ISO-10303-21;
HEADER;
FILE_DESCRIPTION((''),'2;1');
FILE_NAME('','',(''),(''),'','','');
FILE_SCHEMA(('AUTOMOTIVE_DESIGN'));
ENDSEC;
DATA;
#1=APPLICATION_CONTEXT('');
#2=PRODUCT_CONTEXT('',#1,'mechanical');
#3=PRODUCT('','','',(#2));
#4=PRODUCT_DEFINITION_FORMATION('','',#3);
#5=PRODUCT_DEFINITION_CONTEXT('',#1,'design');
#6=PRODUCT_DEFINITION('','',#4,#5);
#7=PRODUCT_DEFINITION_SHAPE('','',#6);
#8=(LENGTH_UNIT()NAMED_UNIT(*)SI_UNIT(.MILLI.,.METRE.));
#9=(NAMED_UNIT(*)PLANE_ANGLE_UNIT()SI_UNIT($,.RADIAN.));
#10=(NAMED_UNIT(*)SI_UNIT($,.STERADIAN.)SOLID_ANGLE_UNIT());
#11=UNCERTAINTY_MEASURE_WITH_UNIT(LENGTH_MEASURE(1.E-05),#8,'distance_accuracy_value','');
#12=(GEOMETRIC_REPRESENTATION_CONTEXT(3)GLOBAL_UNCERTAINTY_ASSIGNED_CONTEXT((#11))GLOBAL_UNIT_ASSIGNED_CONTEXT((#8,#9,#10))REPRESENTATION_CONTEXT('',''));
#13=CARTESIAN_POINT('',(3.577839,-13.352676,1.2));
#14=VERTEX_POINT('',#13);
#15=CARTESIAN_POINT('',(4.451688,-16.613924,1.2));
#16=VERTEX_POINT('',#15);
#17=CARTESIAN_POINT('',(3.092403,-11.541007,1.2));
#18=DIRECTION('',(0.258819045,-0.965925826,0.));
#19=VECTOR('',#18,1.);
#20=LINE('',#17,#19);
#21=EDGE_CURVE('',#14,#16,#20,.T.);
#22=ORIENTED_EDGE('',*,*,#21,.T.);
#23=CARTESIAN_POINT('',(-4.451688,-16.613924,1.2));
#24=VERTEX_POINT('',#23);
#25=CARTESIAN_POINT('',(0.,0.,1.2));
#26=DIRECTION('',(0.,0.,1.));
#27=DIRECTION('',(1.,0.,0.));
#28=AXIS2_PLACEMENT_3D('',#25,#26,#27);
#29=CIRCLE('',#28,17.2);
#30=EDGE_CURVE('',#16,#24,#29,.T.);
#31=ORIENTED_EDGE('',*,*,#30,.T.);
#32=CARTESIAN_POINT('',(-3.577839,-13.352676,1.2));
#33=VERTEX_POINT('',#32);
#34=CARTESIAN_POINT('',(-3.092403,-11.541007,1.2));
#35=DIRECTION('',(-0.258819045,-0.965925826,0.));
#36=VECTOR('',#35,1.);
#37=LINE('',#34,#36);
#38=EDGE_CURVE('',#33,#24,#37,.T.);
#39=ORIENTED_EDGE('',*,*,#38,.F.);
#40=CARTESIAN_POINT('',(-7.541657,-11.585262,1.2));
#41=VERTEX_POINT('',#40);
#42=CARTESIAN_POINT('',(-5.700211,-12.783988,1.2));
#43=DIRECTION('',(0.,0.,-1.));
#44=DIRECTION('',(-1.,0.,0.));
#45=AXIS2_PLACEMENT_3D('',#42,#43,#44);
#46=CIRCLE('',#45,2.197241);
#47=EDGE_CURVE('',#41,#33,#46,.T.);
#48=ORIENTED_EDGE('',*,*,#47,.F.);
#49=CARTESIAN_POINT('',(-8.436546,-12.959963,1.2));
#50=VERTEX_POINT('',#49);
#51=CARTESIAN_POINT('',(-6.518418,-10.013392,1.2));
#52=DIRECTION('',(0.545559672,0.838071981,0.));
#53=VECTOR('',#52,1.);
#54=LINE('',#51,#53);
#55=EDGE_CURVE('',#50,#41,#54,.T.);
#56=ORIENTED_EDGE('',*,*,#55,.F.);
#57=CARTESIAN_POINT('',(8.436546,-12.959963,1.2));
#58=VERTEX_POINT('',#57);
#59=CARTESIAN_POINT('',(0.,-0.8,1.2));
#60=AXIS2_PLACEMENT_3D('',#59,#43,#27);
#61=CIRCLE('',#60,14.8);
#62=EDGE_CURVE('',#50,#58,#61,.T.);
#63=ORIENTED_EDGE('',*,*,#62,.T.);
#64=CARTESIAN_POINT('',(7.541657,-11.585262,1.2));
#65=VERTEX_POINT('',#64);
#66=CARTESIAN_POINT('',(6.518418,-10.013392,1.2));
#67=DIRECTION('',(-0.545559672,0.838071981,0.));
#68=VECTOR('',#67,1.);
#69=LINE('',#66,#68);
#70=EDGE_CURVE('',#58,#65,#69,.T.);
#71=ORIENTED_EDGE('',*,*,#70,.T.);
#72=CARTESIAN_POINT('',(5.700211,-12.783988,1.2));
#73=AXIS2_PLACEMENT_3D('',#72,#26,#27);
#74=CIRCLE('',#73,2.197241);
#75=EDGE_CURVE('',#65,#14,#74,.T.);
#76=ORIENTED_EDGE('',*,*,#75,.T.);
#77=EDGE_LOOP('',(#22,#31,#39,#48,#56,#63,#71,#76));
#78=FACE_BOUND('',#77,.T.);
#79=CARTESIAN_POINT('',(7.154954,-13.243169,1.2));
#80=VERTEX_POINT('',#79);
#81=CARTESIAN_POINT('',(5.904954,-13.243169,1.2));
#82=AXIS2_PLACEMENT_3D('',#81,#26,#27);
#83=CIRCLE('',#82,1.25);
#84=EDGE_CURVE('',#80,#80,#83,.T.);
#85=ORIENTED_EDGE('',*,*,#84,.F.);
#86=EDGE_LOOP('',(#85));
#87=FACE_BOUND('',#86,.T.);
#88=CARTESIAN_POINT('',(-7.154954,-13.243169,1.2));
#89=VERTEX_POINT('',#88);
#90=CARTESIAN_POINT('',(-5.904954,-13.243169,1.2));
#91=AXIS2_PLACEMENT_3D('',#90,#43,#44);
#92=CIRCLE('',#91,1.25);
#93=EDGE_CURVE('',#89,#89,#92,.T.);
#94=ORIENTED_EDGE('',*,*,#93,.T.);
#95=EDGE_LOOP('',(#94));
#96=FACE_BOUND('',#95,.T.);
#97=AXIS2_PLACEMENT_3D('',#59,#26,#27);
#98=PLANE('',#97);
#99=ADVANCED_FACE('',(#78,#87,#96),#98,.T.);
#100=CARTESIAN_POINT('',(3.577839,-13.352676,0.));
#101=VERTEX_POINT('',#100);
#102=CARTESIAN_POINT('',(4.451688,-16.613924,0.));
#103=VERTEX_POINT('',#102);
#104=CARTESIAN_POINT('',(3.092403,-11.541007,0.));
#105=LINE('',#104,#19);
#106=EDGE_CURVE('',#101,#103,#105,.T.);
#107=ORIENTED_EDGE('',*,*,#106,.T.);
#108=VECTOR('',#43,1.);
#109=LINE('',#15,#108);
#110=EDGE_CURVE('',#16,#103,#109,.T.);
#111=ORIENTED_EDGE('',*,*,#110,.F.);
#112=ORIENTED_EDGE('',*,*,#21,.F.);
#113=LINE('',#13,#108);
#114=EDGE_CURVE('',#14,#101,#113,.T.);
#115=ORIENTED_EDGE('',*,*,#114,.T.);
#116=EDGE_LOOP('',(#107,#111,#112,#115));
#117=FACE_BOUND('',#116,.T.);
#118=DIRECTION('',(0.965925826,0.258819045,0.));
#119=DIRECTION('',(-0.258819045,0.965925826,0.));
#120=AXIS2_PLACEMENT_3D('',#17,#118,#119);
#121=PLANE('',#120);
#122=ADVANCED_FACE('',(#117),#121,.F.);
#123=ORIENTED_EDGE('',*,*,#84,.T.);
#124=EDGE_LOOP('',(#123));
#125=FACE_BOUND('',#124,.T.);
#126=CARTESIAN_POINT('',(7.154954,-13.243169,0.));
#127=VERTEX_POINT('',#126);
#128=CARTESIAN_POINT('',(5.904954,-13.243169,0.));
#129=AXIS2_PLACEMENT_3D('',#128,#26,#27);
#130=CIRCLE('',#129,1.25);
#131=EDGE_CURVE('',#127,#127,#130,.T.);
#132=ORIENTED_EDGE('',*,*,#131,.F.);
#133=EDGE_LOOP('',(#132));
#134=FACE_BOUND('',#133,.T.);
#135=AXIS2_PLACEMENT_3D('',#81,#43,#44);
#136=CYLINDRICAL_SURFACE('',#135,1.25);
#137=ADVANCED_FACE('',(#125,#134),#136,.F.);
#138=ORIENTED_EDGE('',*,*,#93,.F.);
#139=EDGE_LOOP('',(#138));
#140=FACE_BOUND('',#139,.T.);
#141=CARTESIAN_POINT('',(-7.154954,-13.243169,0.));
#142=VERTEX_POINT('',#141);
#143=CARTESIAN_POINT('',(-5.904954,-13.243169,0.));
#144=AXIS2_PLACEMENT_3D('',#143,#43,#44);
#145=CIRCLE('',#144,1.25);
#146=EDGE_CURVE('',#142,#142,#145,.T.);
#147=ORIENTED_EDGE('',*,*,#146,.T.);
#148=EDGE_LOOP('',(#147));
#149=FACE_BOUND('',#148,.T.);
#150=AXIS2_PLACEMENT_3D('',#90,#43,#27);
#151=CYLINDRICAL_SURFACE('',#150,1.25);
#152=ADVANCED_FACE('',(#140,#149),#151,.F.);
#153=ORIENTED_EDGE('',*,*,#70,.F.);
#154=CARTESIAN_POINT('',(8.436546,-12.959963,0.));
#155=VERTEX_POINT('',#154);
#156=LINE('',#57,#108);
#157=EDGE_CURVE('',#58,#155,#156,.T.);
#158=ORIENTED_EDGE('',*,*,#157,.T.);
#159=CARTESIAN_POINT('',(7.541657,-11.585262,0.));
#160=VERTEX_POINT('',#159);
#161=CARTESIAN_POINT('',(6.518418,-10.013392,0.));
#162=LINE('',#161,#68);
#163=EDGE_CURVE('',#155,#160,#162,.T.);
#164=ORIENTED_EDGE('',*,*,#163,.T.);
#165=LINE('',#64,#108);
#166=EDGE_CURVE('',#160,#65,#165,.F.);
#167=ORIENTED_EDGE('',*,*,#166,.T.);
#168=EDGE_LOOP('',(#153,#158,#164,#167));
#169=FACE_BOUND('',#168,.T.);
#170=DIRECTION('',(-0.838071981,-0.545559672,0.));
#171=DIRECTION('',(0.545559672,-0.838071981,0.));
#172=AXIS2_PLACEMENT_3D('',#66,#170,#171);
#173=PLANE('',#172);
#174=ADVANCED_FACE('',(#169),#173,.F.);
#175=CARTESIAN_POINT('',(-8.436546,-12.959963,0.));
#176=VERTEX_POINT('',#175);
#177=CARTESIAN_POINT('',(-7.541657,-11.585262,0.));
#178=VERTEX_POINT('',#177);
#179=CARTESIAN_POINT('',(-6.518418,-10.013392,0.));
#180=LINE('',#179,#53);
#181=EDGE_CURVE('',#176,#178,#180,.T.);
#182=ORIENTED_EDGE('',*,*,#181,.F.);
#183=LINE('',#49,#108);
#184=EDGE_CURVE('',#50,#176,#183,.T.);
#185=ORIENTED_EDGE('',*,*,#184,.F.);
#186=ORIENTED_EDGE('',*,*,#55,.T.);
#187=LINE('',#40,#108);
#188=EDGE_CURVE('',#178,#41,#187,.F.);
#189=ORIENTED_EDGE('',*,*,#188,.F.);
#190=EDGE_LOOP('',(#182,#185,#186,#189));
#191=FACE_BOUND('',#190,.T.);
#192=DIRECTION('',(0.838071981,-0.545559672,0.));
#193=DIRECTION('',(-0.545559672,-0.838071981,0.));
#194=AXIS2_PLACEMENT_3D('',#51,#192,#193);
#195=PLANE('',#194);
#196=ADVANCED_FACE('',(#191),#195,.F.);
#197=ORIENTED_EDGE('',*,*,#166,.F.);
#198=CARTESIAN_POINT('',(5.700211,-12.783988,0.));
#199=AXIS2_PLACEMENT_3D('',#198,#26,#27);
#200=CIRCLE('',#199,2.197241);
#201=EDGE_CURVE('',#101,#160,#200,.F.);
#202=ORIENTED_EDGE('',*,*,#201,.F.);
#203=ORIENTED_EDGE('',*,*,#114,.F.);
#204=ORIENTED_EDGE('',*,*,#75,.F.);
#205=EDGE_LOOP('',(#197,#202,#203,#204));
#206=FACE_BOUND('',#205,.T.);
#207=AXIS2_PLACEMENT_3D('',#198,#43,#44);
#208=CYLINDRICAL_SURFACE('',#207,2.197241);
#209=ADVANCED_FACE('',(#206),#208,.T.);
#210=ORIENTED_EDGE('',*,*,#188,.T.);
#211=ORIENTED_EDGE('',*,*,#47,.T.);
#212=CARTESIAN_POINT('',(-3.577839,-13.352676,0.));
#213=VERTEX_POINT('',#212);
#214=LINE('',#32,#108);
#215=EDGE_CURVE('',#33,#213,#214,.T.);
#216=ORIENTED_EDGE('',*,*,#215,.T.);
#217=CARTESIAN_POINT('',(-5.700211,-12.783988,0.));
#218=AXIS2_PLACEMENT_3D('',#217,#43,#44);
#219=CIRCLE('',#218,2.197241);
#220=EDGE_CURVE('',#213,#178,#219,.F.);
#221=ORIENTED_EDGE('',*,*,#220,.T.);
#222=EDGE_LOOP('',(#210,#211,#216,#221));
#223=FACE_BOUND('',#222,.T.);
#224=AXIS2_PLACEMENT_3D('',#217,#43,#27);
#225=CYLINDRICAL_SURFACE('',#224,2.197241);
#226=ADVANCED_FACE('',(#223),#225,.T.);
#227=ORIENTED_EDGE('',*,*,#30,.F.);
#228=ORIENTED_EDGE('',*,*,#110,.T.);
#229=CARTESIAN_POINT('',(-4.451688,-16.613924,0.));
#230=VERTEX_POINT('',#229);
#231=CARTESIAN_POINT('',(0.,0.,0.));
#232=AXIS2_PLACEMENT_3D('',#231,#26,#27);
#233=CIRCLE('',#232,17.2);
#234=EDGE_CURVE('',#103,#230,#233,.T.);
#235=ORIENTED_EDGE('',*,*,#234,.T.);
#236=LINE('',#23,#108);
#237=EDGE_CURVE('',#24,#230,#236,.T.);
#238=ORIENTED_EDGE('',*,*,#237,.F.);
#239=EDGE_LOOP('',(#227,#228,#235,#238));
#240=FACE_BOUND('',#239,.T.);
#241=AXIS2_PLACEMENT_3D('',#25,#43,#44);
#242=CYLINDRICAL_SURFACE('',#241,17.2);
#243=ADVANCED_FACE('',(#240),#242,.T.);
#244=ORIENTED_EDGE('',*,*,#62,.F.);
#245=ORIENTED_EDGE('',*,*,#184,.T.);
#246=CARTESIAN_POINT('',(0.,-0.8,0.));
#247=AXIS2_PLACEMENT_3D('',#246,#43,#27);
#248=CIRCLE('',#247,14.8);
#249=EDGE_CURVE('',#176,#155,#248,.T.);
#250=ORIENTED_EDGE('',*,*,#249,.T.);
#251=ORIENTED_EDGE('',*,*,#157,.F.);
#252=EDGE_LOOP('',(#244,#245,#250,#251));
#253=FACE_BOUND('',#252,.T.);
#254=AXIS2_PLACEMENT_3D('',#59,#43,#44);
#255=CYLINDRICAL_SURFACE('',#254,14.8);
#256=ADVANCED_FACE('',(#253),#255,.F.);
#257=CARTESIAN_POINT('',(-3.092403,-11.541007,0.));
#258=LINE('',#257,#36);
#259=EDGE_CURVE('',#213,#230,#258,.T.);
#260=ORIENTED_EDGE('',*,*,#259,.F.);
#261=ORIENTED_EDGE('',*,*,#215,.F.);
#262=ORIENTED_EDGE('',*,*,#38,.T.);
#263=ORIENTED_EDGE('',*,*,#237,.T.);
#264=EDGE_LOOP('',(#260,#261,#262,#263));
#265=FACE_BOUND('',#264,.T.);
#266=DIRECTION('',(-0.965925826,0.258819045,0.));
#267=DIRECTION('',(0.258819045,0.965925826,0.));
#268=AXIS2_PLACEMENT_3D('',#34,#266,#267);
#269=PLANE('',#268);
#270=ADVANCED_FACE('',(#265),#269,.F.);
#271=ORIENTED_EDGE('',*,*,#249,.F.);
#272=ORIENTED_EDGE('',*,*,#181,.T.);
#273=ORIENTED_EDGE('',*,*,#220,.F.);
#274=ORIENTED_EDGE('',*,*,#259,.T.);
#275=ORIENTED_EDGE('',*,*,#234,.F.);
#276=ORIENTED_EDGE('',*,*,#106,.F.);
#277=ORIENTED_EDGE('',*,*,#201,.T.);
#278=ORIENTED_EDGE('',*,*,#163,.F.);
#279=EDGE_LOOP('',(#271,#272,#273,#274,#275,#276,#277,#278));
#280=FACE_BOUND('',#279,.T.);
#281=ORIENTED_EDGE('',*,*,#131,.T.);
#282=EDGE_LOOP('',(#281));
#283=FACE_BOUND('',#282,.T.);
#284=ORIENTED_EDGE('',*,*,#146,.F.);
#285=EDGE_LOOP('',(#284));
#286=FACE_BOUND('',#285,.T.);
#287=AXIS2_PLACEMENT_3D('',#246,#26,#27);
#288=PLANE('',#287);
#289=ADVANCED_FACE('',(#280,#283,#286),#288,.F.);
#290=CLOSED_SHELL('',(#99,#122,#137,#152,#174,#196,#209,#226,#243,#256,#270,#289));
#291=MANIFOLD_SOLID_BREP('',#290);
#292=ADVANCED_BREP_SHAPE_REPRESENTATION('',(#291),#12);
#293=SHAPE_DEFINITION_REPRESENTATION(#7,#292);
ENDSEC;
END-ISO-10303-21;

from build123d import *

# Parameters (mm, degrees)
SKETCH2_R           = 1.25
BOSS_EXTRUDE1_DEPTH = 1.2
FILLET1_R           = 2.197241


with BuildPart() as part:
    # Sketch2 → Boss-Extrude1 (new body)
    with BuildSketch(Plane.XY):
        with BuildLine():
            Line((6.518417516, -10.013392411), (8.436546126, -12.95996256))
            ThreePointArc((8.436546126, -12.95996256), (14.124578682, 3.619986092), (0, 14))
            Line((0, 14), (0, 17.2))
            ThreePointArc((0, 17.2), (17.052851616, 2.245050506), (4.451687576, -16.613924212))
            Line((4.451687576, -16.613924212), (3.092403424, -11.541006696))
            Line((3.092403424, -11.541006696), (6.518417516, -10.013392411))
        make_face()
        with Locations((5.904953543, -13.243168943)):
            Circle(SKETCH2_R, mode=Mode.SUBTRACT)
    extrude(amount=BOSS_EXTRUDE1_DEPTH)

    # Fillet1
    fillet1_edges = [part.edges().sort_by_distance(p)[0] for p in [
        (6.518417516, -10.013392411, 0.6),
        (3.092403424, -11.541006696, 0.6),
    ]]
    fillet(fillet1_edges, radius=FILLET1_R)

    # Mirror1: part across plane


with BuildPart() as part_1:
    add(part.part)
    add(part.part.mirror(Plane(origin=(0, 17.2, 1.2), x_dir=(0, 0, 1), z_dir=(1, 0, 0))))


solid = part_1.part
